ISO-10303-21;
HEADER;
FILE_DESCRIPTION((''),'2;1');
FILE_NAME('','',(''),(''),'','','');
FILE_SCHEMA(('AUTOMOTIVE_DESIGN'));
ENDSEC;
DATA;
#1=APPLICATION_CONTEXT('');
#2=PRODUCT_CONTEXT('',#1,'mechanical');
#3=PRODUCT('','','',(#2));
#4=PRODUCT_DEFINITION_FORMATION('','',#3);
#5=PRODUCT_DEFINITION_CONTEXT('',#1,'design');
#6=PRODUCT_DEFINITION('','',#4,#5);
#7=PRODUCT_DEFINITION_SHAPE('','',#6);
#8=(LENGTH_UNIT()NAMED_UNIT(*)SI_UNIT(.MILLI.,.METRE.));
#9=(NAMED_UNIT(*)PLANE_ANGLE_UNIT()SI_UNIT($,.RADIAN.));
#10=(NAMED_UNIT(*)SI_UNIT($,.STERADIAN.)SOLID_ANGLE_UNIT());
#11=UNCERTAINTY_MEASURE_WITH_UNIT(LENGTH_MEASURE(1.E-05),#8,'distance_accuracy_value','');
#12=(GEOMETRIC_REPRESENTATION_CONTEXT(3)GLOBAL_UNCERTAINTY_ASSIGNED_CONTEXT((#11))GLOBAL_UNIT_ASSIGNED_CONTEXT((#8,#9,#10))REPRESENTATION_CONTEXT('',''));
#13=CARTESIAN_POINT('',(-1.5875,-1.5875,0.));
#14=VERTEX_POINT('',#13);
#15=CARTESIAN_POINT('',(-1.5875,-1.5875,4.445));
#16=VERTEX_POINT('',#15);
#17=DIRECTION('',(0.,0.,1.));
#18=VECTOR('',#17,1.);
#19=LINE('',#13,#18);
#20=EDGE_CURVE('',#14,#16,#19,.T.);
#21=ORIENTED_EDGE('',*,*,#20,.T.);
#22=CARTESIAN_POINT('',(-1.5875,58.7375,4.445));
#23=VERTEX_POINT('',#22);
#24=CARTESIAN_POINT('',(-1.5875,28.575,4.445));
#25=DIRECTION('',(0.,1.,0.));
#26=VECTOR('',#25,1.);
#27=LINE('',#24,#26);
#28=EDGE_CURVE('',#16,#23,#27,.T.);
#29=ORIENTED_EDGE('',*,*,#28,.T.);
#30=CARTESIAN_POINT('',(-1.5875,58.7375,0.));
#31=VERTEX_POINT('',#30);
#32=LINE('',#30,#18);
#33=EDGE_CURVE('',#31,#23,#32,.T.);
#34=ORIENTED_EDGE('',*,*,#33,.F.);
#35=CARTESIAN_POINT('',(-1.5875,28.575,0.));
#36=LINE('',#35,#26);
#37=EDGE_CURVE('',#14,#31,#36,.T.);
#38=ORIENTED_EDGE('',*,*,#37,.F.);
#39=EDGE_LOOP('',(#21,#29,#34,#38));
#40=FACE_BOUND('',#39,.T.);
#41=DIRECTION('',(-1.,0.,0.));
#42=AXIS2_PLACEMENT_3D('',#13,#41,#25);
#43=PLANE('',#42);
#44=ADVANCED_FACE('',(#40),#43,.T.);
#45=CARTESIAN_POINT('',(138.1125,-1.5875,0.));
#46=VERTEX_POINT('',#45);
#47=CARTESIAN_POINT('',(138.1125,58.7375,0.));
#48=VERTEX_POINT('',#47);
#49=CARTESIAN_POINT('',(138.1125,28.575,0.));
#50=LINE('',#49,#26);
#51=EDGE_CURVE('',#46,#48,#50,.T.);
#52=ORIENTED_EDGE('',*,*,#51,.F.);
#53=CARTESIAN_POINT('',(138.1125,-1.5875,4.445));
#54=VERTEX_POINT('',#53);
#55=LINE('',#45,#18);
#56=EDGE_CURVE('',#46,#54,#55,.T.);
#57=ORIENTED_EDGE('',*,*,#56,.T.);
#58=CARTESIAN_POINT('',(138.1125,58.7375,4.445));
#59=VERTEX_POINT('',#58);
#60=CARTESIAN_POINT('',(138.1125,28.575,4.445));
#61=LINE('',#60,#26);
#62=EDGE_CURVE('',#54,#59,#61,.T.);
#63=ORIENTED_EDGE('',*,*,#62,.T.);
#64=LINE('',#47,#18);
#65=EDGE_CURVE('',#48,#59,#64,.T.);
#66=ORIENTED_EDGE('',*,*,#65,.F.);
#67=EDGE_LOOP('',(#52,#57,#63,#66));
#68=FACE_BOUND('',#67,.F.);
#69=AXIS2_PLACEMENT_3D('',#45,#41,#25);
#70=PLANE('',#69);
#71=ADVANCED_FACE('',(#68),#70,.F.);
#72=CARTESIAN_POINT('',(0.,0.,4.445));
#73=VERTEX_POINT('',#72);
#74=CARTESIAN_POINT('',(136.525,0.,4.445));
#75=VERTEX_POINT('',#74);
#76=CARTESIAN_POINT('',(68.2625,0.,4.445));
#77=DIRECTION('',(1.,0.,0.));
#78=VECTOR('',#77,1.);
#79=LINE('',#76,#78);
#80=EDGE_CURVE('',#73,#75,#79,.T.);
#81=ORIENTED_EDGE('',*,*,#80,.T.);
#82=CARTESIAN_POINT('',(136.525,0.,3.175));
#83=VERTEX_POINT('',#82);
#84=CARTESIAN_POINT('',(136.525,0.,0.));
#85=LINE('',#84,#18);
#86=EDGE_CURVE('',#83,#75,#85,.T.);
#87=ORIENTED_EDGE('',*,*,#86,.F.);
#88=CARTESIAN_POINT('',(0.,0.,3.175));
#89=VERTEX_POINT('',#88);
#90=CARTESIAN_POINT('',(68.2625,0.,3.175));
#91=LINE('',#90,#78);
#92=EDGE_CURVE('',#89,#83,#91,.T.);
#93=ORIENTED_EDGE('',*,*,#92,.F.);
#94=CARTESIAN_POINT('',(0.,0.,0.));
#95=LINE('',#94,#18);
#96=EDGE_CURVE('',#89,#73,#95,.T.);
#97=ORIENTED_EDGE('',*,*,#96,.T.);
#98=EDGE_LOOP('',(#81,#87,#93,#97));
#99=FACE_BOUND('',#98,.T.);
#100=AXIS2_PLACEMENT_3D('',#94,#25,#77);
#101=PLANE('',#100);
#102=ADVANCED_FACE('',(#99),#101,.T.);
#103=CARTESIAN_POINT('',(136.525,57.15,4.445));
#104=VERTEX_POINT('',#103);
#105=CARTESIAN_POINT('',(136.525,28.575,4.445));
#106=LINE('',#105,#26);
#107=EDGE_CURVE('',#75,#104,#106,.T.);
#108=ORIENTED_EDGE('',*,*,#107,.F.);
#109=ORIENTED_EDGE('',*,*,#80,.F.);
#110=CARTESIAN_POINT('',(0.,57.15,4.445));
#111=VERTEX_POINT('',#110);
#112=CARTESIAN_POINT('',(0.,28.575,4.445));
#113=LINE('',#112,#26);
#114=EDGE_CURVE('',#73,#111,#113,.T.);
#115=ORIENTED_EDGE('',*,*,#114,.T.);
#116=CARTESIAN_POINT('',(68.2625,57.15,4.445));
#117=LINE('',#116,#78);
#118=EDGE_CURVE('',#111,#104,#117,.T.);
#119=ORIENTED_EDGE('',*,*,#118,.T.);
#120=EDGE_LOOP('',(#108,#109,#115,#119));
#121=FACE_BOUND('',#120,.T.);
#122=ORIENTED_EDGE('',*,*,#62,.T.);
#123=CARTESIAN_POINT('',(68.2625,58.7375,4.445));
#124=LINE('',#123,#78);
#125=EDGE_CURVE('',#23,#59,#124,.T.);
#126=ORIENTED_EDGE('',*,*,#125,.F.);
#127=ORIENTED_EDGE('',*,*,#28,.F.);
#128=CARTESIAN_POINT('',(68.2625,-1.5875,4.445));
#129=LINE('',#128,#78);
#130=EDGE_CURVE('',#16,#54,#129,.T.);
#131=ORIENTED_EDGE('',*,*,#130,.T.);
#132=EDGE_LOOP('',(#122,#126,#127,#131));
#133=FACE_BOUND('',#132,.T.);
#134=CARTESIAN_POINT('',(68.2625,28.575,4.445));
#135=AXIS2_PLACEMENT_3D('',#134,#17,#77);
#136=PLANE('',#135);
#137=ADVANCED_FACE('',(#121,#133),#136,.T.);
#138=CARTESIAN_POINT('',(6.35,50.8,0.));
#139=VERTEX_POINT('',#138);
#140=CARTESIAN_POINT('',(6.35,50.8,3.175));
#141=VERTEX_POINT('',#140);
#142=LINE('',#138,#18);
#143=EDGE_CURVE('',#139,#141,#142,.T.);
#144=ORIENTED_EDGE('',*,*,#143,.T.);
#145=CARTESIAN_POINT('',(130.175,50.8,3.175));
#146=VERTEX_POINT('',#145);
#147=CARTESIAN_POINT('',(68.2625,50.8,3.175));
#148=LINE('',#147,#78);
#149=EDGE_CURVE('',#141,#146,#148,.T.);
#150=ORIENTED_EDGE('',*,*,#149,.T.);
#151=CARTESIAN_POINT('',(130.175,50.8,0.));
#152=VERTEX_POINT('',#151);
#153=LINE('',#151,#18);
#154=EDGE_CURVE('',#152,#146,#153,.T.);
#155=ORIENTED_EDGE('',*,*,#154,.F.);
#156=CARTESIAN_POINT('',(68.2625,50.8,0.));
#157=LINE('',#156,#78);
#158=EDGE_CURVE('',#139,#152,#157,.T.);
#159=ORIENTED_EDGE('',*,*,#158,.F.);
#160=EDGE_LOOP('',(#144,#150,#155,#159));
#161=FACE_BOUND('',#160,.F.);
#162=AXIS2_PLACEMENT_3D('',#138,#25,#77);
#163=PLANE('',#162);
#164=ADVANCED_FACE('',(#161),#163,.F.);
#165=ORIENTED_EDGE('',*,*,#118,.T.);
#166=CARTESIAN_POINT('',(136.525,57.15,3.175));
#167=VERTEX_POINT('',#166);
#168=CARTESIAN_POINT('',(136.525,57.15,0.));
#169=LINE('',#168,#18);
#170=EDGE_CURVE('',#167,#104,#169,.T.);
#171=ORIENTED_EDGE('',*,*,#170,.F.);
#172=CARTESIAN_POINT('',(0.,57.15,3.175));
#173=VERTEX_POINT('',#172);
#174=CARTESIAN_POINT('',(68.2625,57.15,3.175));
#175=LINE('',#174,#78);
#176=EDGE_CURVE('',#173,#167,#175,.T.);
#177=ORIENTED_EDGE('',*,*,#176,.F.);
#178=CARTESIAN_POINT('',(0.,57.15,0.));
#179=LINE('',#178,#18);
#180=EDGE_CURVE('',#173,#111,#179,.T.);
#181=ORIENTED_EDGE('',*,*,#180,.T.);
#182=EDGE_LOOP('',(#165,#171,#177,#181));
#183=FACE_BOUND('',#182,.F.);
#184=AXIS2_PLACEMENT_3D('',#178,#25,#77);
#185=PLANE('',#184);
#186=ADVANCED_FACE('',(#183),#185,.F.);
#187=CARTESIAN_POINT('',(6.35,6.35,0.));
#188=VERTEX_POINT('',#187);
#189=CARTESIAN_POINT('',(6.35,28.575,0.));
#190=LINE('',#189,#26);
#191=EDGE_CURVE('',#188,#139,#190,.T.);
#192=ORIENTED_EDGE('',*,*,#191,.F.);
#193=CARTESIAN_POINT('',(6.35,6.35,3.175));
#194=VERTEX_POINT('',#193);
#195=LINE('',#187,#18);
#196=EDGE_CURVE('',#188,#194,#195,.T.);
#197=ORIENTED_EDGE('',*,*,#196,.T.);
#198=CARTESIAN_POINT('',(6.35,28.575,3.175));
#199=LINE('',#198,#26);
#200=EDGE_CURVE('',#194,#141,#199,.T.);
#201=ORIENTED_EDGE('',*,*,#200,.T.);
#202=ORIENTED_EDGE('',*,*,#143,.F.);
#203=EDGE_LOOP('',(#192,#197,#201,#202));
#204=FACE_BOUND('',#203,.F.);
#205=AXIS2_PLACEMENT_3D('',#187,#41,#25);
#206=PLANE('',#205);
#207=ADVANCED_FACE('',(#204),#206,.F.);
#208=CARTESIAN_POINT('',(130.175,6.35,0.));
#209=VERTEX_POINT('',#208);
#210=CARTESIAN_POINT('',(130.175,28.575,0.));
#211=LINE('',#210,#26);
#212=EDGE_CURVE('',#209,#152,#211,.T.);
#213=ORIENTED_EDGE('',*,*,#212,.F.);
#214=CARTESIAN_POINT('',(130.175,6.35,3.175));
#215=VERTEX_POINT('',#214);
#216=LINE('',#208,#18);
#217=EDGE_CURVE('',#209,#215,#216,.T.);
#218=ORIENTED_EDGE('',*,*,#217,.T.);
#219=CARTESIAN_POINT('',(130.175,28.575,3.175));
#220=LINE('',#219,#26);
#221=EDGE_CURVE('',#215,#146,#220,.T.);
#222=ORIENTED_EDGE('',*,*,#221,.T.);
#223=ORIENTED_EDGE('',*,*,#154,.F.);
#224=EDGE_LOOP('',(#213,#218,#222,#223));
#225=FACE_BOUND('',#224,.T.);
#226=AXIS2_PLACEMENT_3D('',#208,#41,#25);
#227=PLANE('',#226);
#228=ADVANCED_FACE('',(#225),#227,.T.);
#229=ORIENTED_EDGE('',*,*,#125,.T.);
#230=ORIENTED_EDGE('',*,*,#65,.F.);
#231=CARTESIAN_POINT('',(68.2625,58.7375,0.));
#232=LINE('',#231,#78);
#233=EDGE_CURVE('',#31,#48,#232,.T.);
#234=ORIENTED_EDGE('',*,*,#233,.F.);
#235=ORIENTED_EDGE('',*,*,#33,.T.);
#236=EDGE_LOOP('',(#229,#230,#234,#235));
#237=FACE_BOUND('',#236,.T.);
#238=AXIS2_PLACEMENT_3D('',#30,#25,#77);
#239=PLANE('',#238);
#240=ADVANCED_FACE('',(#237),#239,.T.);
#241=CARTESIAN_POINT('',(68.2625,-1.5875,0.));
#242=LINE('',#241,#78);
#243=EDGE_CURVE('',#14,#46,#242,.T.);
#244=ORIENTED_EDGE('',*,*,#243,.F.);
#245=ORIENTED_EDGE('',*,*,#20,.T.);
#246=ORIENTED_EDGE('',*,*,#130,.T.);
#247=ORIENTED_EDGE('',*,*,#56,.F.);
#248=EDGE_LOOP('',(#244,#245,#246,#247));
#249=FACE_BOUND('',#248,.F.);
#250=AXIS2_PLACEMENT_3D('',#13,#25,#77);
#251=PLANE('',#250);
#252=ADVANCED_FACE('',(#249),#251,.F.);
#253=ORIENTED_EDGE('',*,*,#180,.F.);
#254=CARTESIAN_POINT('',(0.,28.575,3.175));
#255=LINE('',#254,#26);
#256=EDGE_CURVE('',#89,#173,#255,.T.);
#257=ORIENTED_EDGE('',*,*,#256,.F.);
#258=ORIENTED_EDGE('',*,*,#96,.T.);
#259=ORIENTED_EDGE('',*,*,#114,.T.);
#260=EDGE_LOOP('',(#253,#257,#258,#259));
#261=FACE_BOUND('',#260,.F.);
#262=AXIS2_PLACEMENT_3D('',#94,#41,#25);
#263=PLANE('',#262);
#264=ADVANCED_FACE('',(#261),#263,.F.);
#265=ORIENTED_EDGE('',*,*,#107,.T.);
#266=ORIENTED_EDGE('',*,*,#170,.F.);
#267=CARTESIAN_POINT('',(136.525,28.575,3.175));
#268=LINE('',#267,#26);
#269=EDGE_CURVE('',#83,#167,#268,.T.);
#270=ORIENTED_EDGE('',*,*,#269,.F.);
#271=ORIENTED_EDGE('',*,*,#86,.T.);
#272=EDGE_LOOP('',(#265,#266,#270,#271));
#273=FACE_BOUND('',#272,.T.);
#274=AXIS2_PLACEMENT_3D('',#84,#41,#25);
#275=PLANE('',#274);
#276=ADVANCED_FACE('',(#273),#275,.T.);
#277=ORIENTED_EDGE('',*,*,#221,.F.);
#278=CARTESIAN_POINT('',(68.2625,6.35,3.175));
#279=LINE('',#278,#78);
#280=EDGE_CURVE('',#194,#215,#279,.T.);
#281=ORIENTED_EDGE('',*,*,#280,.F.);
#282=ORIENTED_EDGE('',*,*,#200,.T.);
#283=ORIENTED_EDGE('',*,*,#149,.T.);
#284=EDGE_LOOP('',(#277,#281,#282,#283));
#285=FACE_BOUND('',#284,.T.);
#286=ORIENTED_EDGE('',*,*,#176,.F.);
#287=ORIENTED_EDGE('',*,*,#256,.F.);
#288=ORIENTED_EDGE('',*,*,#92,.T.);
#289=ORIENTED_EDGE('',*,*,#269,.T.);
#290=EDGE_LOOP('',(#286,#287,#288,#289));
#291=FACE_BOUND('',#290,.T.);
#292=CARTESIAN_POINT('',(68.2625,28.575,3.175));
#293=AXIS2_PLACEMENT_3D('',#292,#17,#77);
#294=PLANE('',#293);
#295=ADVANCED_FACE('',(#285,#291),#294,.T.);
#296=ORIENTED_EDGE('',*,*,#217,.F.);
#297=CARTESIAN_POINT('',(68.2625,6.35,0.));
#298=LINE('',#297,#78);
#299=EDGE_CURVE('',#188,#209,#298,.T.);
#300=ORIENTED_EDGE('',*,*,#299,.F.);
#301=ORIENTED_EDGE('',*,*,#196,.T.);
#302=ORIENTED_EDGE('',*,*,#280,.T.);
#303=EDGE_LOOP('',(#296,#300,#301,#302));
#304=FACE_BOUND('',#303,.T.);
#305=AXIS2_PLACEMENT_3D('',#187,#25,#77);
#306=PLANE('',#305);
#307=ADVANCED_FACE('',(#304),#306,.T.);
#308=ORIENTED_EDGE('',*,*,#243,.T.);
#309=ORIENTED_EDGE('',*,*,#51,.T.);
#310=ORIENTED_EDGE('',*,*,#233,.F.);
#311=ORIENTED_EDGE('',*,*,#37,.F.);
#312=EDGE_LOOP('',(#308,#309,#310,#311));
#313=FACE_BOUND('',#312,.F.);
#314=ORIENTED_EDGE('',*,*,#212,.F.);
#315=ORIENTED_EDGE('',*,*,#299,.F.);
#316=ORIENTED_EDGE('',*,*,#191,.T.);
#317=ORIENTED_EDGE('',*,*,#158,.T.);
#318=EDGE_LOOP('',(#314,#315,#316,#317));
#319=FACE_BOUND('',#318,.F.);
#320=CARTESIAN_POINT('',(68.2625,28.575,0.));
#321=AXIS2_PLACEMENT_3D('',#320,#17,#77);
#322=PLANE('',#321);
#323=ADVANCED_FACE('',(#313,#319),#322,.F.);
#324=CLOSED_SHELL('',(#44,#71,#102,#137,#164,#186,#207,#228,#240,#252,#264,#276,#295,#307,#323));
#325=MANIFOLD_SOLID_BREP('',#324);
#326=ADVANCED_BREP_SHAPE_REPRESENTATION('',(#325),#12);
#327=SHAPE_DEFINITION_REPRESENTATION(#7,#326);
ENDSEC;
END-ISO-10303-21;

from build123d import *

# Parameters (mm, degrees)
F0_W     = 136.525
F0_H     = 57.15
F0_W_2   = 123.825
F0_H_2   = 44.45
F1_DEPTH = 3.175
F2_W     = 139.7
F2_H     = 60.325
F2_W_2   = 136.525
F2_H_2   = 57.15
F3_DEPTH = 4.445


with BuildPart() as f1:
    # F0 (on Top) → F1 (new body)
    with BuildSketch(Plane.XY):
        with Locations((68.2625, 28.575)):
            Rectangle(F0_W, F0_H)
        with Locations((68.2625, 28.575)):
            Rectangle(F0_W_2, F0_H_2, mode=Mode.SUBTRACT)
    extrude(amount=F1_DEPTH)

    # F2 (on Top) → F3 (join)
    with BuildSketch(Plane.XY):
        with Locations((68.2625, 28.575)):
            Rectangle(F2_W, F2_H)
        with Locations((68.2625, 28.575)):
            Rectangle(F2_W_2, F2_H_2, mode=Mode.SUBTRACT)
    extrude(amount=F3_DEPTH)


solid = f1.part
